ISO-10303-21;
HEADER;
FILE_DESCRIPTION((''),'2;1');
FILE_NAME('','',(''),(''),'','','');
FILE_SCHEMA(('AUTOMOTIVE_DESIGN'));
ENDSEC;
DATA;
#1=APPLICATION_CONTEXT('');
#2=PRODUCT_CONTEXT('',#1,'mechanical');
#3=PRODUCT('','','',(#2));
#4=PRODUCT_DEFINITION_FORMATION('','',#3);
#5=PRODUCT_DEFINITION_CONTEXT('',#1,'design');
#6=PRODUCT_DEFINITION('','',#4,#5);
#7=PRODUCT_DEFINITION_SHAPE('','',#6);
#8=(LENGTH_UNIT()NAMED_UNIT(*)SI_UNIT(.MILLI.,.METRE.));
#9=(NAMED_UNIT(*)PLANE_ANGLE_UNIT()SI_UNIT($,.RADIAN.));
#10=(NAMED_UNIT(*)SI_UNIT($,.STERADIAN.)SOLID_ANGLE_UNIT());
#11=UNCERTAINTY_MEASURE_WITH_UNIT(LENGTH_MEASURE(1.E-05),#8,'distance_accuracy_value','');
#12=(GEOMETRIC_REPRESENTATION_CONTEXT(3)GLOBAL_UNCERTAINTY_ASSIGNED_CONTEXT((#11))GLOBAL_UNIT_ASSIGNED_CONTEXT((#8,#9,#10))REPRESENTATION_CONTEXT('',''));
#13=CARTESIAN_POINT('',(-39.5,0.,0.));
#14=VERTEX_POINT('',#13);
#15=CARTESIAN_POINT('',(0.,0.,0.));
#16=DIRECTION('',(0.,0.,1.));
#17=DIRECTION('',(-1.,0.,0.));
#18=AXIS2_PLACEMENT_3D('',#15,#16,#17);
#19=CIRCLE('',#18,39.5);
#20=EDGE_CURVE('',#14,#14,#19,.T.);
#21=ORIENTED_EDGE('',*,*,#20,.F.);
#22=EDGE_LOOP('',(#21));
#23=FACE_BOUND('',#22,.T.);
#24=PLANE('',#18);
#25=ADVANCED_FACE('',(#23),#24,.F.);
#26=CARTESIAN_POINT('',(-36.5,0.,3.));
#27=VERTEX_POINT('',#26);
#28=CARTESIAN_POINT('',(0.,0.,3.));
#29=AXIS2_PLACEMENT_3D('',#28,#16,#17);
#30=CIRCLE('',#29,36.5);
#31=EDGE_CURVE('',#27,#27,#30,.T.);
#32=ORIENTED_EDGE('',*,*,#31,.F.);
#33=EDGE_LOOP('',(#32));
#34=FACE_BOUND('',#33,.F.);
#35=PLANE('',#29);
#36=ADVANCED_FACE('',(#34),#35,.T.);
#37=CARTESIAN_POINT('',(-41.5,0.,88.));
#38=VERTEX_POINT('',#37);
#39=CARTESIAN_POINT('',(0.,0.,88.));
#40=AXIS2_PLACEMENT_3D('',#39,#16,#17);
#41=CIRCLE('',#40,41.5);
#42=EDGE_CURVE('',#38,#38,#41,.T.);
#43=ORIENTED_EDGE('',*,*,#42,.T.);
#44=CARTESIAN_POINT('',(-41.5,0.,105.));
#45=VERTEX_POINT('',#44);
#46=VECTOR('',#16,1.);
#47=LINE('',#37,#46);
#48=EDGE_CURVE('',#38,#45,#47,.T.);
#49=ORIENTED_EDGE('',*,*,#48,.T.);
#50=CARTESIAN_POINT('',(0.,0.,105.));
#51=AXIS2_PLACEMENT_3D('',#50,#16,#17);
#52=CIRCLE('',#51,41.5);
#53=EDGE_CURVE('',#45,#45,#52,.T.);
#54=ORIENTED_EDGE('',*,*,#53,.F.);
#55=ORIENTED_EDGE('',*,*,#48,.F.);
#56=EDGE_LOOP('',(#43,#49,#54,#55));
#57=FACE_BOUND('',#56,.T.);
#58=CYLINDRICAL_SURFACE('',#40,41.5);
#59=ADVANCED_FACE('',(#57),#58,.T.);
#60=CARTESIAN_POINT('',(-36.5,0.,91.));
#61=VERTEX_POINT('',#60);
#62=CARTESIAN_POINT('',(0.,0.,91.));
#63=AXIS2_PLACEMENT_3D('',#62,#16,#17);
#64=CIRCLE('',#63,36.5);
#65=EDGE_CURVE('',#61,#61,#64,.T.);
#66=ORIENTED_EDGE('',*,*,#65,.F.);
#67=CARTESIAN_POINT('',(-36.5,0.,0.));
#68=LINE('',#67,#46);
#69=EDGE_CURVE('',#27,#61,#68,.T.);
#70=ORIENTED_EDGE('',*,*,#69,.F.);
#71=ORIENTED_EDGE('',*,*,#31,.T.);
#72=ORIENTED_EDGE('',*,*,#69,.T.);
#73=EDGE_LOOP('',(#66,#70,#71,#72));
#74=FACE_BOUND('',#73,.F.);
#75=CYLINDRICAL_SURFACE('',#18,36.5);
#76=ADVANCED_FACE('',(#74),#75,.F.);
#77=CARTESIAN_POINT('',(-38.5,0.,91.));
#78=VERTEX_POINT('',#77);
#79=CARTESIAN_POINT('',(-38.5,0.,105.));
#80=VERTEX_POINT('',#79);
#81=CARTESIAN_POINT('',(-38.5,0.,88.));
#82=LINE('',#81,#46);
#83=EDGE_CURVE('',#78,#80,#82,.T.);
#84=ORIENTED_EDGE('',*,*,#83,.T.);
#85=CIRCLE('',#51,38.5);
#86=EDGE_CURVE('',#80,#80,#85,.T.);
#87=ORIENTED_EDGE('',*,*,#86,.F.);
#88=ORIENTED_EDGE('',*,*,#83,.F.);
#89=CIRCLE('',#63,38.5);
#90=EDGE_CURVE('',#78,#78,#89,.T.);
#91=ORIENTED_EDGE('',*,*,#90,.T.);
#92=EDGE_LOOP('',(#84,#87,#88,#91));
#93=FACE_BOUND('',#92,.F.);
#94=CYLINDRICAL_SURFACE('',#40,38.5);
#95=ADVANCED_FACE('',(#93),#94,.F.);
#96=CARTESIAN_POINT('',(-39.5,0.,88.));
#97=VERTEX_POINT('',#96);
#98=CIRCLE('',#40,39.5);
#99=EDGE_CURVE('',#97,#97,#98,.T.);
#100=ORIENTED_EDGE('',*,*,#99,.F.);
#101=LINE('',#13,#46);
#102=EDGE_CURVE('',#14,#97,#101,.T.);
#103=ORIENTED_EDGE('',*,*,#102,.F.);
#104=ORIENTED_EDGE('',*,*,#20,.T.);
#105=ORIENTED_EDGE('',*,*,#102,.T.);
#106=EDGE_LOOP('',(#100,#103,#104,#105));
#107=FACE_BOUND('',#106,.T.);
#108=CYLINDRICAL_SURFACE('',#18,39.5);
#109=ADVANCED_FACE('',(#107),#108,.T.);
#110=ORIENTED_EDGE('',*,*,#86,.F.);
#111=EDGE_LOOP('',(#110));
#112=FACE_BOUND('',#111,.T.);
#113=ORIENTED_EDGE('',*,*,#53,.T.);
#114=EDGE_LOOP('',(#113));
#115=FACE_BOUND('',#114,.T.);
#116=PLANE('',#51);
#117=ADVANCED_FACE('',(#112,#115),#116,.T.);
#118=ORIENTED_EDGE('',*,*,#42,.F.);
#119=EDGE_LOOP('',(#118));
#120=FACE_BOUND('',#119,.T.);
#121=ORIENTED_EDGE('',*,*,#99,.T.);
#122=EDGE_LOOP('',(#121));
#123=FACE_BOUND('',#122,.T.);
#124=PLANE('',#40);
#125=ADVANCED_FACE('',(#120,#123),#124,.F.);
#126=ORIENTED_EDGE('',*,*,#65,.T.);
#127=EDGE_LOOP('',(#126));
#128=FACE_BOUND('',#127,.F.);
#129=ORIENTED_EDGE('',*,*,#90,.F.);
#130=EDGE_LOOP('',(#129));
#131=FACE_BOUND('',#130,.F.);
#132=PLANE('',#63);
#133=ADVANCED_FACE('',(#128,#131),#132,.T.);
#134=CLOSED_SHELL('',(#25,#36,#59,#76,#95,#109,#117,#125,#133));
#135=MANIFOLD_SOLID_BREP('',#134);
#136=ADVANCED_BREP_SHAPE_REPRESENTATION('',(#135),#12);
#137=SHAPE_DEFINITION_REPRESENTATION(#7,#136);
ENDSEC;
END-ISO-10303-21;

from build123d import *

# Parameters (mm, degrees)
THICKNESS_T = -3


with BuildPart() as part:
    # Sketch → Revolution (revolve)
    with BuildSketch(Plane.XZ):
        Polygon((0, 0), (-39.5, 0), (-39.5, 88), (-41.5, 88), (-41.5, 105), (0, 105), align=None)
    revolve(axis=Axis((0, 0, 0), (0, 0, 1)))

    # Thickness
    thickness_openings = [part.faces().sort_by_distance(p)[0] for p in [
        (0, 0, 105),
    ]]
    offset(amount=THICKNESS_T, openings=thickness_openings, kind=Kind.INTERSECTION)


solid = part.part
